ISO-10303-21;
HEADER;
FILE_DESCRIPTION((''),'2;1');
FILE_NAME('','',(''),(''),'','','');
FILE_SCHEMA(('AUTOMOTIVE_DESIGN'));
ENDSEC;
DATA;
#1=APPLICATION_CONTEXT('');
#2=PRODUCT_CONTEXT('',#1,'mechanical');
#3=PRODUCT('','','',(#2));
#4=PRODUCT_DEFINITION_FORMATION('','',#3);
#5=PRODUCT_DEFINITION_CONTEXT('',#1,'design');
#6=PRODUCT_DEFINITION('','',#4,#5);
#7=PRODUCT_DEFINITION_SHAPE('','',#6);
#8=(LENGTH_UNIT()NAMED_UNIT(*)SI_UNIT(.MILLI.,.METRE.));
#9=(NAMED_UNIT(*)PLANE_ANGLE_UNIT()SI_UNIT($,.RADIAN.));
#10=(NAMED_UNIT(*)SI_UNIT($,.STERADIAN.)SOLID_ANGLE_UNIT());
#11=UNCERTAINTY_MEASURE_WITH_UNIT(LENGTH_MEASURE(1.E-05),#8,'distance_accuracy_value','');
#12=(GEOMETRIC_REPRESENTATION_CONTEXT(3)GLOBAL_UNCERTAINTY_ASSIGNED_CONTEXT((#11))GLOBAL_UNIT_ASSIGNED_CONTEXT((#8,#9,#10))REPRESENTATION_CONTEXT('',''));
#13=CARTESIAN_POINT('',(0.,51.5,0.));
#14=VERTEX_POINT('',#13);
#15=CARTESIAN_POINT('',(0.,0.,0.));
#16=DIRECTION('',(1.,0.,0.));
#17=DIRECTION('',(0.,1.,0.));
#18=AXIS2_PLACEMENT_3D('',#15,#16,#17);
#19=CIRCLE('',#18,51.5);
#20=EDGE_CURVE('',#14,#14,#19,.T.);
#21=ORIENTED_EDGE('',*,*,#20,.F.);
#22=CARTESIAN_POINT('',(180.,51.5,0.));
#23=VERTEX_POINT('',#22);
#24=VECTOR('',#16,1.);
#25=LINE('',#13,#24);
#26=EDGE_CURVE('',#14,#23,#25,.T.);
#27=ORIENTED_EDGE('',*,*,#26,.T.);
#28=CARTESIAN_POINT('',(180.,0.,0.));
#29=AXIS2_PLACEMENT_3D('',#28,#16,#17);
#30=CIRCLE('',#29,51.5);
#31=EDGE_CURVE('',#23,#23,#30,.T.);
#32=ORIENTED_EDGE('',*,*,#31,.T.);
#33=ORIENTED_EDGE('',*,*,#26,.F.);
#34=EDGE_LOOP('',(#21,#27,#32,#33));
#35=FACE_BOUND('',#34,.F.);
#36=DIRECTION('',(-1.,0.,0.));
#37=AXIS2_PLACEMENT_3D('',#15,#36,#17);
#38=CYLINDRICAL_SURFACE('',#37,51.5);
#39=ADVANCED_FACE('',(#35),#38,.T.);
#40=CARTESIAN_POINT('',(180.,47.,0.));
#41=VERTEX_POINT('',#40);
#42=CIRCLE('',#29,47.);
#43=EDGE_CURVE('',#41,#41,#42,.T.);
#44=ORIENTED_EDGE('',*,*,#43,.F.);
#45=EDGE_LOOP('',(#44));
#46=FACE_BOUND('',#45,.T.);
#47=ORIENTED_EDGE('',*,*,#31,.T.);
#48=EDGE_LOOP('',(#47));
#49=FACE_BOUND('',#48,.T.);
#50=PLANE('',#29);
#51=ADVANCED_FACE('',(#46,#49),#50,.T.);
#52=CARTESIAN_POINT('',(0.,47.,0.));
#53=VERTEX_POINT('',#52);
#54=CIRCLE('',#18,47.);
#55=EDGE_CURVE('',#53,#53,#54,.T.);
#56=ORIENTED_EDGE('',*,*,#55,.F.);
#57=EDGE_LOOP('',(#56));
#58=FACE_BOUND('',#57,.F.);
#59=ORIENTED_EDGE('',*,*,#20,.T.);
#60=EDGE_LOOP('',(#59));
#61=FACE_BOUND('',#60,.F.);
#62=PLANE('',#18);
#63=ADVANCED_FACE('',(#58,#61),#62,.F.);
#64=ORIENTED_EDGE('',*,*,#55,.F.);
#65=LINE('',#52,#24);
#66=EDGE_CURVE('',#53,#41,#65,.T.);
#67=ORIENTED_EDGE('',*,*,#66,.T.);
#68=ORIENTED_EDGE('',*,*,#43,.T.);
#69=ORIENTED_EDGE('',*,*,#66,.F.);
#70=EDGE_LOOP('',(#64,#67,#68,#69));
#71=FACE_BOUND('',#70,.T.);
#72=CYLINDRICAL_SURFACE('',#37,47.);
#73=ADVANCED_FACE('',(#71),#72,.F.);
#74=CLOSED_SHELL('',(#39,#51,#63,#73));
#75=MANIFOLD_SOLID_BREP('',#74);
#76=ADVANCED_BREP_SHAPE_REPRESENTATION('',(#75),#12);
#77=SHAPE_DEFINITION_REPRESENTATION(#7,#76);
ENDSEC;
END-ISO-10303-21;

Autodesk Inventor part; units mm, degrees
ref_plane "YZ Plane" through (0, 0, 0) normal (1, 0, 0) x (0, 1, 0)
ref_plane "XZ Plane" through (0, 0, 0) normal (0, 1, 0) x (-1, 0, 0)
ref_plane "XY Plane" through (0, 0, 0) normal (0, 0, 1) x (1, 0, 0)
sketch "Sketch1" plane through (0, 0, 0) normal (1, 0, 0) x (0, 1, 0)
  circle A0 centre (0, 0) radius 51.5
  circle A1 centre (0, 0) radius 47
  dimension "d0" = 103
  dimension "d2" = 94
extrude "Extrusion1" add sketch "Sketch1" along normal blind 180
properties part number "MainTube" material "PET Plastic"
